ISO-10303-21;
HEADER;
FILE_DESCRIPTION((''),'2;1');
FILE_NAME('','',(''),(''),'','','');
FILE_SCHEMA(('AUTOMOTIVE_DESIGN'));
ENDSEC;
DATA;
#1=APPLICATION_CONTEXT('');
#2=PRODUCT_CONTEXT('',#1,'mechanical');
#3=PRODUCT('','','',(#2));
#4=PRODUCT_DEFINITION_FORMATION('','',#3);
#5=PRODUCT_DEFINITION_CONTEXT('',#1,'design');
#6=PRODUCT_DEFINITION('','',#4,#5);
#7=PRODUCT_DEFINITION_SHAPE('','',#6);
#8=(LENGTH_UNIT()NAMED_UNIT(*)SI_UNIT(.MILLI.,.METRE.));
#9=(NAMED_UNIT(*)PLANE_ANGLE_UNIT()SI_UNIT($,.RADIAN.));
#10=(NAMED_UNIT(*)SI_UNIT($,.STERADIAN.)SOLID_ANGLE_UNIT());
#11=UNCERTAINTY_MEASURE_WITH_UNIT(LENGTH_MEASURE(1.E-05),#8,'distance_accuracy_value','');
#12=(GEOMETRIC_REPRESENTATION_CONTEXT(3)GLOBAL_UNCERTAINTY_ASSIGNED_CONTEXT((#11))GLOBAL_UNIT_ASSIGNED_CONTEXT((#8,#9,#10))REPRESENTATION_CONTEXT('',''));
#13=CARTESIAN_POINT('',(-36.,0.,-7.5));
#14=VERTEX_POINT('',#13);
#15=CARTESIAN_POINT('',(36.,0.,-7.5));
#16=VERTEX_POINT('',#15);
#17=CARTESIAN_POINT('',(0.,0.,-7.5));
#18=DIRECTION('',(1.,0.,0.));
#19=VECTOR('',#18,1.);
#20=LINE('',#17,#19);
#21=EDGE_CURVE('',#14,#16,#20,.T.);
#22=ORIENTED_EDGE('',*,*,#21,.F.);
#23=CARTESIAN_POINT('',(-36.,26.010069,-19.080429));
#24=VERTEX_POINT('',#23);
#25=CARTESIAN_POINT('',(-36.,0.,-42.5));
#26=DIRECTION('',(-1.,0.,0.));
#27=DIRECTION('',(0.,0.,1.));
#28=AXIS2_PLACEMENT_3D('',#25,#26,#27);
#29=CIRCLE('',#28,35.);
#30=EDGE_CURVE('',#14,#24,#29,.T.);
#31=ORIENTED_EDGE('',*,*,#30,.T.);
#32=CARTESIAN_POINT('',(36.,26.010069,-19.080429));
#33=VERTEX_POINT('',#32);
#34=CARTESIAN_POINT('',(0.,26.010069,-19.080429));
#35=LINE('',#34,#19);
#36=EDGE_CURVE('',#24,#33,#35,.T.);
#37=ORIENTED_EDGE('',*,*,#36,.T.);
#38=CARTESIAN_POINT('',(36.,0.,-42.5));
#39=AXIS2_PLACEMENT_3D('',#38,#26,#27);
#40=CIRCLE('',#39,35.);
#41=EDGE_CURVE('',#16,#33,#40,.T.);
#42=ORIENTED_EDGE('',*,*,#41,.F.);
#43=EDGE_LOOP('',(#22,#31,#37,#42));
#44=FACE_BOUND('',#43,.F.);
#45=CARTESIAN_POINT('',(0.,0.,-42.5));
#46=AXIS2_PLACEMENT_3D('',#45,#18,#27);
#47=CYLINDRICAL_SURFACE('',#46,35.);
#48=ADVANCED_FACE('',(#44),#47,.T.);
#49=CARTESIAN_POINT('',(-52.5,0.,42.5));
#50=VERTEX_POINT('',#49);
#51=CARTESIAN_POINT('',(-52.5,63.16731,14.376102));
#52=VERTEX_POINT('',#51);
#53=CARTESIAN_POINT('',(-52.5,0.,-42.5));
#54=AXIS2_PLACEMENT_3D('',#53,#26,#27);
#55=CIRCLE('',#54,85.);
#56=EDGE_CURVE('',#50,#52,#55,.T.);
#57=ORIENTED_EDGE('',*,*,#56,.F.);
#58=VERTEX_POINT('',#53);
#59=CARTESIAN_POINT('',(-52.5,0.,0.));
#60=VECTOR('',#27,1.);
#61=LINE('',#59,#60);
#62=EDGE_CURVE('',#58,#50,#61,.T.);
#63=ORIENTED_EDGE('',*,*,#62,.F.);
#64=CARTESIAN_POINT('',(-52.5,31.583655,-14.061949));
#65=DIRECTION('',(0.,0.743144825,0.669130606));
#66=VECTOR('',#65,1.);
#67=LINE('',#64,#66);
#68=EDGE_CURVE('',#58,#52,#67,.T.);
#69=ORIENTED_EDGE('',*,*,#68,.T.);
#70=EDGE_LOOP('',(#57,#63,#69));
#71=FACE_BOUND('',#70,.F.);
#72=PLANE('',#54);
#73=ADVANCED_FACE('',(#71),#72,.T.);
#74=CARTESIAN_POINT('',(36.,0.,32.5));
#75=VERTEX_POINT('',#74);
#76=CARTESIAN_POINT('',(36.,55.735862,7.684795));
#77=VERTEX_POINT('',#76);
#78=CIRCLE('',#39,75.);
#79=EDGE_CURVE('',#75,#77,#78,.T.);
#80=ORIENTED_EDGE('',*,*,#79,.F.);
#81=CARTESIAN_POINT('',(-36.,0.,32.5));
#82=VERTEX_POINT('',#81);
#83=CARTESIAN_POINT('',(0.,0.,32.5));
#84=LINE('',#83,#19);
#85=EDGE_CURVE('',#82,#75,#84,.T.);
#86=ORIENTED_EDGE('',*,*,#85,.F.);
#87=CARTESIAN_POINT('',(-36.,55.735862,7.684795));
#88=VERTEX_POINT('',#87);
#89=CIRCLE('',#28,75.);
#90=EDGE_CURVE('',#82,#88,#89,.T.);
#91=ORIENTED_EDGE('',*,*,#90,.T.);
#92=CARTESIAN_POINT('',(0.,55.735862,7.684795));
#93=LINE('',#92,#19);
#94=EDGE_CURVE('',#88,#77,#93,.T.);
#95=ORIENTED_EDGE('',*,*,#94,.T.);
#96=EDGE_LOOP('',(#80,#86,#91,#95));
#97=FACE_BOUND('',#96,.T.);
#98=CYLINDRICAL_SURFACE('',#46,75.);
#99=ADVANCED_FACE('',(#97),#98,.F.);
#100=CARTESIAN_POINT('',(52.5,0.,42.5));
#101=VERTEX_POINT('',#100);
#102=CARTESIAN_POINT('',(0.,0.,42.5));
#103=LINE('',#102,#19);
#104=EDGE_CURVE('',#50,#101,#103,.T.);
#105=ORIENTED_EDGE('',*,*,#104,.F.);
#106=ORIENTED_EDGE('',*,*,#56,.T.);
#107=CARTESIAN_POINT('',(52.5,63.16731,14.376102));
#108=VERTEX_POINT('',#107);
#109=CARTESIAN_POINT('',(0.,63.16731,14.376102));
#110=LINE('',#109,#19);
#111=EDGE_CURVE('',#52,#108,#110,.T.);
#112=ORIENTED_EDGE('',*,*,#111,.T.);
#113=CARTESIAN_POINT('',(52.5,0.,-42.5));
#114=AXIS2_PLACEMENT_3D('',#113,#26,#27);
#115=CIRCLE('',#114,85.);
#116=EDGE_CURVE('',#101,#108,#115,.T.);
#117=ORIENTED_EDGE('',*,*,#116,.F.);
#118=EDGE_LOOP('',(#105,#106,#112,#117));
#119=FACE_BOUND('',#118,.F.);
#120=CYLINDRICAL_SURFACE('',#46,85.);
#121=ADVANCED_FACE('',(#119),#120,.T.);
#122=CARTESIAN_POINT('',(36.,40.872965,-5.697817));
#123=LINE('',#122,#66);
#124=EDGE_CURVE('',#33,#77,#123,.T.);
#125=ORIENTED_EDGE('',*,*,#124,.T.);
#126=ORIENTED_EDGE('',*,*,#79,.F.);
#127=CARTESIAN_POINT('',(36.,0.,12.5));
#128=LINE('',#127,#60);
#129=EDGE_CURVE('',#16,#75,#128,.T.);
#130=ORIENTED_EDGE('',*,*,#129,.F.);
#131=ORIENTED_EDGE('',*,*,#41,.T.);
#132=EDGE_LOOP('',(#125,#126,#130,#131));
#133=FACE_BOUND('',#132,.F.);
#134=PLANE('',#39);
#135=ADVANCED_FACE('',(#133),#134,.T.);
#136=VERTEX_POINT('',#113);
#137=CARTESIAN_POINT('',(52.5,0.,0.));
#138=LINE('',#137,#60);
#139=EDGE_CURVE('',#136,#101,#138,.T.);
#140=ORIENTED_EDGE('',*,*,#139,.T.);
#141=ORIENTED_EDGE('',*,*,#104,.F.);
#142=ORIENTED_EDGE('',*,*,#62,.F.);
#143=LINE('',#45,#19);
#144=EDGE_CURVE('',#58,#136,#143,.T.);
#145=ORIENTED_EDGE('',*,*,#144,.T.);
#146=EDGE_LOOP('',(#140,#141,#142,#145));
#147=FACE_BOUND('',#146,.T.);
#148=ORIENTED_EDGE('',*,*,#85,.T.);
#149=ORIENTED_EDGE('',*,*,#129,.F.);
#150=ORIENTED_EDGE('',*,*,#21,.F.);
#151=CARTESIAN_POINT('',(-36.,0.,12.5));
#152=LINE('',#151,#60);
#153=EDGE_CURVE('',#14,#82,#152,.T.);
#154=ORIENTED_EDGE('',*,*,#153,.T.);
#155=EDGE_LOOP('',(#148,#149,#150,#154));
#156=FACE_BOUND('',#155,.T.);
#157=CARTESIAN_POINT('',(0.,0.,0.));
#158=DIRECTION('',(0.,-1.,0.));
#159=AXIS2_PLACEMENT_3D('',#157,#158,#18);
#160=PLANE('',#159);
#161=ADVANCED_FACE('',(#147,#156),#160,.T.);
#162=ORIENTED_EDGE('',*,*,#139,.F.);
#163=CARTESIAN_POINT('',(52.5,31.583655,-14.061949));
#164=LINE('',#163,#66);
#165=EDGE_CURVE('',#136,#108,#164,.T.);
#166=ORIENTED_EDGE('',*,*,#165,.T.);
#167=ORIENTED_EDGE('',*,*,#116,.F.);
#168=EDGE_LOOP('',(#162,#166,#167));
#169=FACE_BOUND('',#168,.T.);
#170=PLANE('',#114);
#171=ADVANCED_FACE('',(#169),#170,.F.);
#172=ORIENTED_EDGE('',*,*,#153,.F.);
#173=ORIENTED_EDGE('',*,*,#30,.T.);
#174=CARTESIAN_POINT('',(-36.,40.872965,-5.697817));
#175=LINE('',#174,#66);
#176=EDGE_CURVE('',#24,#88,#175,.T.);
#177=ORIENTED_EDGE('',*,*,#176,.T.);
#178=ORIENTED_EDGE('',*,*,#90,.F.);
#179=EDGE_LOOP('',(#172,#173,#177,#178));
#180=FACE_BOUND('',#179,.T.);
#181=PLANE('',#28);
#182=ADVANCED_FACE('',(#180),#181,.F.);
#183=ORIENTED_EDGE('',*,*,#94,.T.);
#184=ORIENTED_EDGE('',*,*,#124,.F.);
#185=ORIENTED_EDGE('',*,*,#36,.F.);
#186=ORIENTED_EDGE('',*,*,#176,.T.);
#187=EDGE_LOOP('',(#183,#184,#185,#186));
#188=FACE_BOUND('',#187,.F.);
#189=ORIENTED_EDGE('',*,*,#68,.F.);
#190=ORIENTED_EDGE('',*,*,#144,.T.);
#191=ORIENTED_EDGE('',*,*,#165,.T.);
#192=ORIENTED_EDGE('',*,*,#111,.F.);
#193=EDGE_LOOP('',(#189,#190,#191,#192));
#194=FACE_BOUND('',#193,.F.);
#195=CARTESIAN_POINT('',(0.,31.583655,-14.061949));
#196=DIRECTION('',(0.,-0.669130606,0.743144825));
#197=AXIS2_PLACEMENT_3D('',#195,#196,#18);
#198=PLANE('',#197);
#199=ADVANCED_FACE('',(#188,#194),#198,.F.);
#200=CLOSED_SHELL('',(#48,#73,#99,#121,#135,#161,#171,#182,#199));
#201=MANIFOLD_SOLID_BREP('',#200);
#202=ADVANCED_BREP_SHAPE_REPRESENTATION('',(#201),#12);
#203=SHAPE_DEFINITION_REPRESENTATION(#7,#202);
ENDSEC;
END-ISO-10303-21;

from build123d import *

# Parameters (mm, degrees)
F0_W     = 105
F0_H     = 85
F0_W_2   = 72
F0_H_2   = 40
F1_ANGLE = 48


with BuildPart() as f1:
    # F0 (on Front) → F1 (revolve)
    with BuildSketch(Plane.XZ):
        Rectangle(F0_W, F0_H)
        with Locations((0, 12.5)):
            Rectangle(F0_W_2, F0_H_2, mode=Mode.SUBTRACT)
    revolve(axis=Axis((0, 0, -42.5), (-1, 0, 0)), revolution_arc=F1_ANGLE)


solid = f1.part
